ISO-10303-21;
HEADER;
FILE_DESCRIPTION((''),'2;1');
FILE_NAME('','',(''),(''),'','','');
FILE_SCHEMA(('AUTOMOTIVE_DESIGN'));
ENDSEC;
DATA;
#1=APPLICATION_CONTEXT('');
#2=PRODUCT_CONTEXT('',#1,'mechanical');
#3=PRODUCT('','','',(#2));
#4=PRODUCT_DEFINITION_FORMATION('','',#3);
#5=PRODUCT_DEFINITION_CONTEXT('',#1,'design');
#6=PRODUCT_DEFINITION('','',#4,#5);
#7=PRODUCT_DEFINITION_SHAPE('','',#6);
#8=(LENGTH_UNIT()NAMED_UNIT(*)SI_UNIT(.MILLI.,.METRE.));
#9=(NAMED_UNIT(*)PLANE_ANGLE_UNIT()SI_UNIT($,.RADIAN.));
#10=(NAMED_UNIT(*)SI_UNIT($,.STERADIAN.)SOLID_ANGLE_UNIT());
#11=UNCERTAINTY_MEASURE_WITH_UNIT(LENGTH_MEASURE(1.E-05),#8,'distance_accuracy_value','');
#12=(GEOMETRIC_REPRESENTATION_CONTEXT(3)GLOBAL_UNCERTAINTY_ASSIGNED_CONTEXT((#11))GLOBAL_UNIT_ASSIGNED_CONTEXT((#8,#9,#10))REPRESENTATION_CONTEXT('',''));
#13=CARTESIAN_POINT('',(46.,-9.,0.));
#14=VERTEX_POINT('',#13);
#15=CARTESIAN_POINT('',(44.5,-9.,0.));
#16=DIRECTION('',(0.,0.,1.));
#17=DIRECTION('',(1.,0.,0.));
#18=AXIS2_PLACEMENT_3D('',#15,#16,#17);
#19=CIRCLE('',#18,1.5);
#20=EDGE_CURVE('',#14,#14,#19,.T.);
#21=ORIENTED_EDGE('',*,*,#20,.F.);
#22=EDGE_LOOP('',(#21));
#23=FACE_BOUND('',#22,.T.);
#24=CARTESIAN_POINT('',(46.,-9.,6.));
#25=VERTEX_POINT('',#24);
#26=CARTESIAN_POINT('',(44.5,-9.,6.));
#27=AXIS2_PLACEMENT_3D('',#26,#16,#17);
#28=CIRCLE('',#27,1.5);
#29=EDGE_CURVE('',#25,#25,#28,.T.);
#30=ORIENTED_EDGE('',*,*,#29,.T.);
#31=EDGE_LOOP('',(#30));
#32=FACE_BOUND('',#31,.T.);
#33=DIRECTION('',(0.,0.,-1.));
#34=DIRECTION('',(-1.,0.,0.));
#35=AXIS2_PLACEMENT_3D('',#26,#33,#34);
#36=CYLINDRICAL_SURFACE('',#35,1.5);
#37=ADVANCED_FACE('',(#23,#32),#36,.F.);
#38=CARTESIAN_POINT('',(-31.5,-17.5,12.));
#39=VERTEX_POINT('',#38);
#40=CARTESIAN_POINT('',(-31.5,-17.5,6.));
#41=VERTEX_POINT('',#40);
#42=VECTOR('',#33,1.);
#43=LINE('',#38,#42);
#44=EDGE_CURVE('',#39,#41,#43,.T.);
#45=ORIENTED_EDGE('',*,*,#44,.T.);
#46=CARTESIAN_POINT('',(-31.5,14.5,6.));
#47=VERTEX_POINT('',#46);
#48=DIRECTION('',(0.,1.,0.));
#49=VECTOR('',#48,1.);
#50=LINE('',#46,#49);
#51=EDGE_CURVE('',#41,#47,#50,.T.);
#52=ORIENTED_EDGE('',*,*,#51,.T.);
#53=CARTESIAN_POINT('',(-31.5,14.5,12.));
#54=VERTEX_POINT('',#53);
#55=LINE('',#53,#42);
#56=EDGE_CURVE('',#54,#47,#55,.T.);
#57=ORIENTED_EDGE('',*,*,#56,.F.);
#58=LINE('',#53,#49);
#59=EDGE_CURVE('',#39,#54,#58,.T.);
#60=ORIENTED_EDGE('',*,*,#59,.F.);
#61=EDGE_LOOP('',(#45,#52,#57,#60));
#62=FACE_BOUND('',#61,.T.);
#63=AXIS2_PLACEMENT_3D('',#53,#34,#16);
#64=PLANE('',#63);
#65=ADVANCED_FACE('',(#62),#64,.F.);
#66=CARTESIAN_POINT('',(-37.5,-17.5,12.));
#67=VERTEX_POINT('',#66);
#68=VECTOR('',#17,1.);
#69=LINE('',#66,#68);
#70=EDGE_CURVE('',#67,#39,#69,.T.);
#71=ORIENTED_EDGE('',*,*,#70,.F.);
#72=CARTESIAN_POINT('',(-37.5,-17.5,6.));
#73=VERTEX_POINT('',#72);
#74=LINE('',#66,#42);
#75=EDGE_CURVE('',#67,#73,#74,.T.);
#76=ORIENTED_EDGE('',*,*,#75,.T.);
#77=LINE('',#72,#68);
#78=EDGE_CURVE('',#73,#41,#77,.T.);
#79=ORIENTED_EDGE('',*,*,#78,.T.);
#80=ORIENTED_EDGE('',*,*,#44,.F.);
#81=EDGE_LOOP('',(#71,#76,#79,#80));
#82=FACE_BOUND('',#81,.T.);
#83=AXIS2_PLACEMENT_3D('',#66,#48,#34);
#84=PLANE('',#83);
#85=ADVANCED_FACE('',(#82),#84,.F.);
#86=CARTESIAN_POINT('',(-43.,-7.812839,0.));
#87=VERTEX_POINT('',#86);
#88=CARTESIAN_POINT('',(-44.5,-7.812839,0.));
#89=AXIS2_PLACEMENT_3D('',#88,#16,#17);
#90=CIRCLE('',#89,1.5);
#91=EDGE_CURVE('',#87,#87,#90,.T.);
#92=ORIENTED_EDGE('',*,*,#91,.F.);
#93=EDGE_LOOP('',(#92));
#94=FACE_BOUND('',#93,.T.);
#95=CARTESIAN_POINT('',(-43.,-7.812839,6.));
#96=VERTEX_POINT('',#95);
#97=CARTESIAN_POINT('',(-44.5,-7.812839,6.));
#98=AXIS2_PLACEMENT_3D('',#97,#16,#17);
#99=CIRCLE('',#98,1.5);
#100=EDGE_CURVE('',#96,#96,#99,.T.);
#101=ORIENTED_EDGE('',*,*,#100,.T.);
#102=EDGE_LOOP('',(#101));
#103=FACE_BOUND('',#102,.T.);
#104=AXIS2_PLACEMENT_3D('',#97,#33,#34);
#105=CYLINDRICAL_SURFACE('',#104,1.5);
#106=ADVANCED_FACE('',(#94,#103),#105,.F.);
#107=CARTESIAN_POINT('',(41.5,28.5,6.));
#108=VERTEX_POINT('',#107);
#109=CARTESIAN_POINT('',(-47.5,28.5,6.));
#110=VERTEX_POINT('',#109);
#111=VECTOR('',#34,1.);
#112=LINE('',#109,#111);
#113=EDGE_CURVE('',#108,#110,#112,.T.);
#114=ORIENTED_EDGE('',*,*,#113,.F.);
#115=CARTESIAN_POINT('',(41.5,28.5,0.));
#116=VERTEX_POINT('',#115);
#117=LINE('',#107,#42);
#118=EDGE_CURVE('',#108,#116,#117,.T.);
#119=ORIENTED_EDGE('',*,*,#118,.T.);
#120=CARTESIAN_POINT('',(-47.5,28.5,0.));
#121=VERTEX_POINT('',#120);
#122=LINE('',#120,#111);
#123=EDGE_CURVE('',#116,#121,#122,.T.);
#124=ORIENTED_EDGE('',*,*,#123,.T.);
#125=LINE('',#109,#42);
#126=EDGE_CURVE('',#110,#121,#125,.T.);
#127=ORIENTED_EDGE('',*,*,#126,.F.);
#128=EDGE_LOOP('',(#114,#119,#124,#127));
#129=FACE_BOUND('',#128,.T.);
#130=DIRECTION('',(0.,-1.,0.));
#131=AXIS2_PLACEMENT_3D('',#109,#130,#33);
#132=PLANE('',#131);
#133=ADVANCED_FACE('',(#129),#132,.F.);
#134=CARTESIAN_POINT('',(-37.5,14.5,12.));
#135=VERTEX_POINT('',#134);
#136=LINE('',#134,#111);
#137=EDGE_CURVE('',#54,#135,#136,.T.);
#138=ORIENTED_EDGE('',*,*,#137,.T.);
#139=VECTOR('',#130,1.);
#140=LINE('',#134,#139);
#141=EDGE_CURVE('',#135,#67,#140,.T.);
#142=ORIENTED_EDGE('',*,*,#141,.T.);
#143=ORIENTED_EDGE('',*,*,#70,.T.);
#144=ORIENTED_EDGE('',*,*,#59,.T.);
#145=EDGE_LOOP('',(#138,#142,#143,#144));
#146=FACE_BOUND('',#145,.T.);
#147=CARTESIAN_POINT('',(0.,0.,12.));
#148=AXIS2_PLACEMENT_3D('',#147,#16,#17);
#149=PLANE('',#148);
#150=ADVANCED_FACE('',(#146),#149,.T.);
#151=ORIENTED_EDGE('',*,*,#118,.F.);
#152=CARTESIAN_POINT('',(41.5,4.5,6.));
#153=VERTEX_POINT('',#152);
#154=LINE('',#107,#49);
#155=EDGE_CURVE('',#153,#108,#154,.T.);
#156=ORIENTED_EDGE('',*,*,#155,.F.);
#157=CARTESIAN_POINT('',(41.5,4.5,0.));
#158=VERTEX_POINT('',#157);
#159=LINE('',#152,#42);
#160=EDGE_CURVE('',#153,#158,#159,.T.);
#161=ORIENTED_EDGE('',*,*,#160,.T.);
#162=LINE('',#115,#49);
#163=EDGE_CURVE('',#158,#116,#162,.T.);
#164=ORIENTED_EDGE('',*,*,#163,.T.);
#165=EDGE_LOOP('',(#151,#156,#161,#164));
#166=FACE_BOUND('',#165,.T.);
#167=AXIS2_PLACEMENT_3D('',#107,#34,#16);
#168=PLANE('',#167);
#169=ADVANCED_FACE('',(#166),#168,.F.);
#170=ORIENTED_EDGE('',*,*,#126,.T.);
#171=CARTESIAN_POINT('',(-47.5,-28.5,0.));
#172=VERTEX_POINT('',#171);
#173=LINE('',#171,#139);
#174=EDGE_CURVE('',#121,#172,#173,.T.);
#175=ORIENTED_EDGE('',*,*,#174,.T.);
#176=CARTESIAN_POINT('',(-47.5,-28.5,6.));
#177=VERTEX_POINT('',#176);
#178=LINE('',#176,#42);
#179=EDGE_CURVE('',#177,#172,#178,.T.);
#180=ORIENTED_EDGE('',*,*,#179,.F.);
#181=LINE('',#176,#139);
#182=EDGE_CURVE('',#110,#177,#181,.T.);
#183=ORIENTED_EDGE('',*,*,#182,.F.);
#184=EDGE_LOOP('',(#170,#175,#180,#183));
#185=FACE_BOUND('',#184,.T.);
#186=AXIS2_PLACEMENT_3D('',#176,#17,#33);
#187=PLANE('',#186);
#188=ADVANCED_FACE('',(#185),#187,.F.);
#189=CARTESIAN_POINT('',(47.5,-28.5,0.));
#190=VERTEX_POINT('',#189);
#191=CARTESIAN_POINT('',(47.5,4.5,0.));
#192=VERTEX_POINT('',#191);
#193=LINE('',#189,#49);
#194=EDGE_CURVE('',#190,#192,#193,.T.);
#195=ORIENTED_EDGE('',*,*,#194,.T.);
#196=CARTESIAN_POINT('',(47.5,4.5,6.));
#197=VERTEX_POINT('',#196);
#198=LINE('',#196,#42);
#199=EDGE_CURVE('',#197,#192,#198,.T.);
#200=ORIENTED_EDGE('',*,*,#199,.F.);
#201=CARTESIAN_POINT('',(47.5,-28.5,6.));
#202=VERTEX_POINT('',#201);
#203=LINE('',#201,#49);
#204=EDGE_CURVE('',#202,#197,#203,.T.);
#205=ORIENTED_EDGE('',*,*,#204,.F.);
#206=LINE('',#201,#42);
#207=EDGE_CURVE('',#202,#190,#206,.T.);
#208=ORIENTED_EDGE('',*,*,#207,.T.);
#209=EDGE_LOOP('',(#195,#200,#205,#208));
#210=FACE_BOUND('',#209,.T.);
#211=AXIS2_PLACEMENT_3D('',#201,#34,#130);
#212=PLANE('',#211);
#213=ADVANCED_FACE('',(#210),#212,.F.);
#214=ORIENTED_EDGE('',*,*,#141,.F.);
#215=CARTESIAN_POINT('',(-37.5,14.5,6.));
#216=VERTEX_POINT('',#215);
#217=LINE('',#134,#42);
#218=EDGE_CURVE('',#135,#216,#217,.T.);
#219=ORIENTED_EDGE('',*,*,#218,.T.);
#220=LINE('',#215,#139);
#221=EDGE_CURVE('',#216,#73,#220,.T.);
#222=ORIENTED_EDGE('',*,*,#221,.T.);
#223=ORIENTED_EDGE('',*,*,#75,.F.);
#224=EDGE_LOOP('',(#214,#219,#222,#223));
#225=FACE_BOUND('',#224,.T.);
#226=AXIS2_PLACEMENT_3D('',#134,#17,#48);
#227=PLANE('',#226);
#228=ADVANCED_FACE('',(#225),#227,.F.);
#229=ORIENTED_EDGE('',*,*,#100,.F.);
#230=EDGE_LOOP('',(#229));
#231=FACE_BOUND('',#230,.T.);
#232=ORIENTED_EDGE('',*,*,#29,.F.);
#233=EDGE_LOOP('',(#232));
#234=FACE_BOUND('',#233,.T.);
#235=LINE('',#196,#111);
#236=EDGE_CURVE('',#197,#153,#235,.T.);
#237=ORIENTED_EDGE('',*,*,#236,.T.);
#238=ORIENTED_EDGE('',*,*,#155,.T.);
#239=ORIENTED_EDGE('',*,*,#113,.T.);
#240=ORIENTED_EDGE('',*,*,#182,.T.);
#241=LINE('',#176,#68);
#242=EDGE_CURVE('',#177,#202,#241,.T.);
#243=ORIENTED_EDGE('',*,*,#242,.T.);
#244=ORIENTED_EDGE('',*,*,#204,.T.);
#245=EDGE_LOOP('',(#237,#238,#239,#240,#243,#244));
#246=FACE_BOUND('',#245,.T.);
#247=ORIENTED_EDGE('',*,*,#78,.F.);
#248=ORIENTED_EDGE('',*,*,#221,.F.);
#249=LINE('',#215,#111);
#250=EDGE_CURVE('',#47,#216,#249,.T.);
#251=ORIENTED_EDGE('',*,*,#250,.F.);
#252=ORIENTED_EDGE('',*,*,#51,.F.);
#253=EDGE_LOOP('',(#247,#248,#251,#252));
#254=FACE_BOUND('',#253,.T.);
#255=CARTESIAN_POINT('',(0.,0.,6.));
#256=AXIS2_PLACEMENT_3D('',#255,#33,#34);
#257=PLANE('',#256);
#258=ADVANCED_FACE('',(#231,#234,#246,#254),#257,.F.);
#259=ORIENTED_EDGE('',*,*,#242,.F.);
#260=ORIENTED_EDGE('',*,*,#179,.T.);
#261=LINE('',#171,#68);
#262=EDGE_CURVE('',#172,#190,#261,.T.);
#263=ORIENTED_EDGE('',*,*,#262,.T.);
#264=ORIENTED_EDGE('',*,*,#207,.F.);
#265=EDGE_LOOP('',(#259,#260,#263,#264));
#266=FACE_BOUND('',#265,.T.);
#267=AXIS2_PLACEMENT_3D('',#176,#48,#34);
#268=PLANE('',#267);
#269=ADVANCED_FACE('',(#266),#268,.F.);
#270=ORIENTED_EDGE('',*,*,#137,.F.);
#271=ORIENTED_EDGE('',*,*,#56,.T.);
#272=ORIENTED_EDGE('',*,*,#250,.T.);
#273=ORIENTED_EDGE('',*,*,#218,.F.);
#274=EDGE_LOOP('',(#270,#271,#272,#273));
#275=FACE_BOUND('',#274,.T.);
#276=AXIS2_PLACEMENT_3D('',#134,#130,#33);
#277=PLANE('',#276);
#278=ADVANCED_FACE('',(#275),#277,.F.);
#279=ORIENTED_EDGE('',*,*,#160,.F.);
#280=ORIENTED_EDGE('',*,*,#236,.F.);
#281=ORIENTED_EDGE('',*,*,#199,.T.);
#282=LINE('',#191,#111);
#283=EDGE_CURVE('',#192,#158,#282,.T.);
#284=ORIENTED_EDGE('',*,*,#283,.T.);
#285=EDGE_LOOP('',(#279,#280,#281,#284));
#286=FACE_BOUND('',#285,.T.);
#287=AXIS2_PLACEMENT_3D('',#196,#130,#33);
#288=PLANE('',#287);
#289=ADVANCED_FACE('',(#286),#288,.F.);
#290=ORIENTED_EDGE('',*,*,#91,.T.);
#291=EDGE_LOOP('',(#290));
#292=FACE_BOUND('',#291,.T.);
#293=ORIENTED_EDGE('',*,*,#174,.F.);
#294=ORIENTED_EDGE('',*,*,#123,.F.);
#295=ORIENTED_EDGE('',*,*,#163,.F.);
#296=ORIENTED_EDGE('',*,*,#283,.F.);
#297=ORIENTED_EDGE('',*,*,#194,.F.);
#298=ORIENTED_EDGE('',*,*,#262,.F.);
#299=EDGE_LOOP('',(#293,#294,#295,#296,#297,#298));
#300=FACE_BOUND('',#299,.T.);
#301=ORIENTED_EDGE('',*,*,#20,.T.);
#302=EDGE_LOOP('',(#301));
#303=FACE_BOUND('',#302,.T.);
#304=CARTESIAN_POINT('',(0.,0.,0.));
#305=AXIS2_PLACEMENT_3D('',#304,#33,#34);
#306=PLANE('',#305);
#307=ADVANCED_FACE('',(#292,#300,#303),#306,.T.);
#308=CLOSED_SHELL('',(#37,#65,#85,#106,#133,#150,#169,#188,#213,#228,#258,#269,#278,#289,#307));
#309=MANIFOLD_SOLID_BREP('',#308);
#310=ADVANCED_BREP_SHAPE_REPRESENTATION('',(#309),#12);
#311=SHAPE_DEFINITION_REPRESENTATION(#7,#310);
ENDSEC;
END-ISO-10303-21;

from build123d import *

# Parameters (mm, degrees)
SKETCH1_R           = 1.5
BOSS_EXTRUDE2_DEPTH = 6
SKETCH3_W           = 6
SKETCH3_H           = 32
BOSS_EXTRUDE3_DEPTH = 6


with BuildPart() as part:
    # Sketch1 → Boss-Extrude2 (new body)
    with BuildSketch(Plane.XY):
        Polygon((-47.5, -28.5), (47.5, -28.5), (47.5, 4.5), (41.5, 4.5), (41.5, 28.5), (-47.5, 28.5), align=None)
        with Locations((44.5, -9)):
            Circle(SKETCH1_R, mode=Mode.SUBTRACT)
        with Locations((-44.5, -7.812839041)):
            Circle(SKETCH1_R, mode=Mode.SUBTRACT)
    extrude(amount=BOSS_EXTRUDE2_DEPTH)

    # Sketch3 → Boss-Extrude3 (add)
    with BuildSketch(Plane.XY.offset(6)):
        with Locations((-34.5, -1.5)):
            Rectangle(SKETCH3_W, SKETCH3_H)
    extrude(amount=BOSS_EXTRUDE3_DEPTH)


solid = part.part
